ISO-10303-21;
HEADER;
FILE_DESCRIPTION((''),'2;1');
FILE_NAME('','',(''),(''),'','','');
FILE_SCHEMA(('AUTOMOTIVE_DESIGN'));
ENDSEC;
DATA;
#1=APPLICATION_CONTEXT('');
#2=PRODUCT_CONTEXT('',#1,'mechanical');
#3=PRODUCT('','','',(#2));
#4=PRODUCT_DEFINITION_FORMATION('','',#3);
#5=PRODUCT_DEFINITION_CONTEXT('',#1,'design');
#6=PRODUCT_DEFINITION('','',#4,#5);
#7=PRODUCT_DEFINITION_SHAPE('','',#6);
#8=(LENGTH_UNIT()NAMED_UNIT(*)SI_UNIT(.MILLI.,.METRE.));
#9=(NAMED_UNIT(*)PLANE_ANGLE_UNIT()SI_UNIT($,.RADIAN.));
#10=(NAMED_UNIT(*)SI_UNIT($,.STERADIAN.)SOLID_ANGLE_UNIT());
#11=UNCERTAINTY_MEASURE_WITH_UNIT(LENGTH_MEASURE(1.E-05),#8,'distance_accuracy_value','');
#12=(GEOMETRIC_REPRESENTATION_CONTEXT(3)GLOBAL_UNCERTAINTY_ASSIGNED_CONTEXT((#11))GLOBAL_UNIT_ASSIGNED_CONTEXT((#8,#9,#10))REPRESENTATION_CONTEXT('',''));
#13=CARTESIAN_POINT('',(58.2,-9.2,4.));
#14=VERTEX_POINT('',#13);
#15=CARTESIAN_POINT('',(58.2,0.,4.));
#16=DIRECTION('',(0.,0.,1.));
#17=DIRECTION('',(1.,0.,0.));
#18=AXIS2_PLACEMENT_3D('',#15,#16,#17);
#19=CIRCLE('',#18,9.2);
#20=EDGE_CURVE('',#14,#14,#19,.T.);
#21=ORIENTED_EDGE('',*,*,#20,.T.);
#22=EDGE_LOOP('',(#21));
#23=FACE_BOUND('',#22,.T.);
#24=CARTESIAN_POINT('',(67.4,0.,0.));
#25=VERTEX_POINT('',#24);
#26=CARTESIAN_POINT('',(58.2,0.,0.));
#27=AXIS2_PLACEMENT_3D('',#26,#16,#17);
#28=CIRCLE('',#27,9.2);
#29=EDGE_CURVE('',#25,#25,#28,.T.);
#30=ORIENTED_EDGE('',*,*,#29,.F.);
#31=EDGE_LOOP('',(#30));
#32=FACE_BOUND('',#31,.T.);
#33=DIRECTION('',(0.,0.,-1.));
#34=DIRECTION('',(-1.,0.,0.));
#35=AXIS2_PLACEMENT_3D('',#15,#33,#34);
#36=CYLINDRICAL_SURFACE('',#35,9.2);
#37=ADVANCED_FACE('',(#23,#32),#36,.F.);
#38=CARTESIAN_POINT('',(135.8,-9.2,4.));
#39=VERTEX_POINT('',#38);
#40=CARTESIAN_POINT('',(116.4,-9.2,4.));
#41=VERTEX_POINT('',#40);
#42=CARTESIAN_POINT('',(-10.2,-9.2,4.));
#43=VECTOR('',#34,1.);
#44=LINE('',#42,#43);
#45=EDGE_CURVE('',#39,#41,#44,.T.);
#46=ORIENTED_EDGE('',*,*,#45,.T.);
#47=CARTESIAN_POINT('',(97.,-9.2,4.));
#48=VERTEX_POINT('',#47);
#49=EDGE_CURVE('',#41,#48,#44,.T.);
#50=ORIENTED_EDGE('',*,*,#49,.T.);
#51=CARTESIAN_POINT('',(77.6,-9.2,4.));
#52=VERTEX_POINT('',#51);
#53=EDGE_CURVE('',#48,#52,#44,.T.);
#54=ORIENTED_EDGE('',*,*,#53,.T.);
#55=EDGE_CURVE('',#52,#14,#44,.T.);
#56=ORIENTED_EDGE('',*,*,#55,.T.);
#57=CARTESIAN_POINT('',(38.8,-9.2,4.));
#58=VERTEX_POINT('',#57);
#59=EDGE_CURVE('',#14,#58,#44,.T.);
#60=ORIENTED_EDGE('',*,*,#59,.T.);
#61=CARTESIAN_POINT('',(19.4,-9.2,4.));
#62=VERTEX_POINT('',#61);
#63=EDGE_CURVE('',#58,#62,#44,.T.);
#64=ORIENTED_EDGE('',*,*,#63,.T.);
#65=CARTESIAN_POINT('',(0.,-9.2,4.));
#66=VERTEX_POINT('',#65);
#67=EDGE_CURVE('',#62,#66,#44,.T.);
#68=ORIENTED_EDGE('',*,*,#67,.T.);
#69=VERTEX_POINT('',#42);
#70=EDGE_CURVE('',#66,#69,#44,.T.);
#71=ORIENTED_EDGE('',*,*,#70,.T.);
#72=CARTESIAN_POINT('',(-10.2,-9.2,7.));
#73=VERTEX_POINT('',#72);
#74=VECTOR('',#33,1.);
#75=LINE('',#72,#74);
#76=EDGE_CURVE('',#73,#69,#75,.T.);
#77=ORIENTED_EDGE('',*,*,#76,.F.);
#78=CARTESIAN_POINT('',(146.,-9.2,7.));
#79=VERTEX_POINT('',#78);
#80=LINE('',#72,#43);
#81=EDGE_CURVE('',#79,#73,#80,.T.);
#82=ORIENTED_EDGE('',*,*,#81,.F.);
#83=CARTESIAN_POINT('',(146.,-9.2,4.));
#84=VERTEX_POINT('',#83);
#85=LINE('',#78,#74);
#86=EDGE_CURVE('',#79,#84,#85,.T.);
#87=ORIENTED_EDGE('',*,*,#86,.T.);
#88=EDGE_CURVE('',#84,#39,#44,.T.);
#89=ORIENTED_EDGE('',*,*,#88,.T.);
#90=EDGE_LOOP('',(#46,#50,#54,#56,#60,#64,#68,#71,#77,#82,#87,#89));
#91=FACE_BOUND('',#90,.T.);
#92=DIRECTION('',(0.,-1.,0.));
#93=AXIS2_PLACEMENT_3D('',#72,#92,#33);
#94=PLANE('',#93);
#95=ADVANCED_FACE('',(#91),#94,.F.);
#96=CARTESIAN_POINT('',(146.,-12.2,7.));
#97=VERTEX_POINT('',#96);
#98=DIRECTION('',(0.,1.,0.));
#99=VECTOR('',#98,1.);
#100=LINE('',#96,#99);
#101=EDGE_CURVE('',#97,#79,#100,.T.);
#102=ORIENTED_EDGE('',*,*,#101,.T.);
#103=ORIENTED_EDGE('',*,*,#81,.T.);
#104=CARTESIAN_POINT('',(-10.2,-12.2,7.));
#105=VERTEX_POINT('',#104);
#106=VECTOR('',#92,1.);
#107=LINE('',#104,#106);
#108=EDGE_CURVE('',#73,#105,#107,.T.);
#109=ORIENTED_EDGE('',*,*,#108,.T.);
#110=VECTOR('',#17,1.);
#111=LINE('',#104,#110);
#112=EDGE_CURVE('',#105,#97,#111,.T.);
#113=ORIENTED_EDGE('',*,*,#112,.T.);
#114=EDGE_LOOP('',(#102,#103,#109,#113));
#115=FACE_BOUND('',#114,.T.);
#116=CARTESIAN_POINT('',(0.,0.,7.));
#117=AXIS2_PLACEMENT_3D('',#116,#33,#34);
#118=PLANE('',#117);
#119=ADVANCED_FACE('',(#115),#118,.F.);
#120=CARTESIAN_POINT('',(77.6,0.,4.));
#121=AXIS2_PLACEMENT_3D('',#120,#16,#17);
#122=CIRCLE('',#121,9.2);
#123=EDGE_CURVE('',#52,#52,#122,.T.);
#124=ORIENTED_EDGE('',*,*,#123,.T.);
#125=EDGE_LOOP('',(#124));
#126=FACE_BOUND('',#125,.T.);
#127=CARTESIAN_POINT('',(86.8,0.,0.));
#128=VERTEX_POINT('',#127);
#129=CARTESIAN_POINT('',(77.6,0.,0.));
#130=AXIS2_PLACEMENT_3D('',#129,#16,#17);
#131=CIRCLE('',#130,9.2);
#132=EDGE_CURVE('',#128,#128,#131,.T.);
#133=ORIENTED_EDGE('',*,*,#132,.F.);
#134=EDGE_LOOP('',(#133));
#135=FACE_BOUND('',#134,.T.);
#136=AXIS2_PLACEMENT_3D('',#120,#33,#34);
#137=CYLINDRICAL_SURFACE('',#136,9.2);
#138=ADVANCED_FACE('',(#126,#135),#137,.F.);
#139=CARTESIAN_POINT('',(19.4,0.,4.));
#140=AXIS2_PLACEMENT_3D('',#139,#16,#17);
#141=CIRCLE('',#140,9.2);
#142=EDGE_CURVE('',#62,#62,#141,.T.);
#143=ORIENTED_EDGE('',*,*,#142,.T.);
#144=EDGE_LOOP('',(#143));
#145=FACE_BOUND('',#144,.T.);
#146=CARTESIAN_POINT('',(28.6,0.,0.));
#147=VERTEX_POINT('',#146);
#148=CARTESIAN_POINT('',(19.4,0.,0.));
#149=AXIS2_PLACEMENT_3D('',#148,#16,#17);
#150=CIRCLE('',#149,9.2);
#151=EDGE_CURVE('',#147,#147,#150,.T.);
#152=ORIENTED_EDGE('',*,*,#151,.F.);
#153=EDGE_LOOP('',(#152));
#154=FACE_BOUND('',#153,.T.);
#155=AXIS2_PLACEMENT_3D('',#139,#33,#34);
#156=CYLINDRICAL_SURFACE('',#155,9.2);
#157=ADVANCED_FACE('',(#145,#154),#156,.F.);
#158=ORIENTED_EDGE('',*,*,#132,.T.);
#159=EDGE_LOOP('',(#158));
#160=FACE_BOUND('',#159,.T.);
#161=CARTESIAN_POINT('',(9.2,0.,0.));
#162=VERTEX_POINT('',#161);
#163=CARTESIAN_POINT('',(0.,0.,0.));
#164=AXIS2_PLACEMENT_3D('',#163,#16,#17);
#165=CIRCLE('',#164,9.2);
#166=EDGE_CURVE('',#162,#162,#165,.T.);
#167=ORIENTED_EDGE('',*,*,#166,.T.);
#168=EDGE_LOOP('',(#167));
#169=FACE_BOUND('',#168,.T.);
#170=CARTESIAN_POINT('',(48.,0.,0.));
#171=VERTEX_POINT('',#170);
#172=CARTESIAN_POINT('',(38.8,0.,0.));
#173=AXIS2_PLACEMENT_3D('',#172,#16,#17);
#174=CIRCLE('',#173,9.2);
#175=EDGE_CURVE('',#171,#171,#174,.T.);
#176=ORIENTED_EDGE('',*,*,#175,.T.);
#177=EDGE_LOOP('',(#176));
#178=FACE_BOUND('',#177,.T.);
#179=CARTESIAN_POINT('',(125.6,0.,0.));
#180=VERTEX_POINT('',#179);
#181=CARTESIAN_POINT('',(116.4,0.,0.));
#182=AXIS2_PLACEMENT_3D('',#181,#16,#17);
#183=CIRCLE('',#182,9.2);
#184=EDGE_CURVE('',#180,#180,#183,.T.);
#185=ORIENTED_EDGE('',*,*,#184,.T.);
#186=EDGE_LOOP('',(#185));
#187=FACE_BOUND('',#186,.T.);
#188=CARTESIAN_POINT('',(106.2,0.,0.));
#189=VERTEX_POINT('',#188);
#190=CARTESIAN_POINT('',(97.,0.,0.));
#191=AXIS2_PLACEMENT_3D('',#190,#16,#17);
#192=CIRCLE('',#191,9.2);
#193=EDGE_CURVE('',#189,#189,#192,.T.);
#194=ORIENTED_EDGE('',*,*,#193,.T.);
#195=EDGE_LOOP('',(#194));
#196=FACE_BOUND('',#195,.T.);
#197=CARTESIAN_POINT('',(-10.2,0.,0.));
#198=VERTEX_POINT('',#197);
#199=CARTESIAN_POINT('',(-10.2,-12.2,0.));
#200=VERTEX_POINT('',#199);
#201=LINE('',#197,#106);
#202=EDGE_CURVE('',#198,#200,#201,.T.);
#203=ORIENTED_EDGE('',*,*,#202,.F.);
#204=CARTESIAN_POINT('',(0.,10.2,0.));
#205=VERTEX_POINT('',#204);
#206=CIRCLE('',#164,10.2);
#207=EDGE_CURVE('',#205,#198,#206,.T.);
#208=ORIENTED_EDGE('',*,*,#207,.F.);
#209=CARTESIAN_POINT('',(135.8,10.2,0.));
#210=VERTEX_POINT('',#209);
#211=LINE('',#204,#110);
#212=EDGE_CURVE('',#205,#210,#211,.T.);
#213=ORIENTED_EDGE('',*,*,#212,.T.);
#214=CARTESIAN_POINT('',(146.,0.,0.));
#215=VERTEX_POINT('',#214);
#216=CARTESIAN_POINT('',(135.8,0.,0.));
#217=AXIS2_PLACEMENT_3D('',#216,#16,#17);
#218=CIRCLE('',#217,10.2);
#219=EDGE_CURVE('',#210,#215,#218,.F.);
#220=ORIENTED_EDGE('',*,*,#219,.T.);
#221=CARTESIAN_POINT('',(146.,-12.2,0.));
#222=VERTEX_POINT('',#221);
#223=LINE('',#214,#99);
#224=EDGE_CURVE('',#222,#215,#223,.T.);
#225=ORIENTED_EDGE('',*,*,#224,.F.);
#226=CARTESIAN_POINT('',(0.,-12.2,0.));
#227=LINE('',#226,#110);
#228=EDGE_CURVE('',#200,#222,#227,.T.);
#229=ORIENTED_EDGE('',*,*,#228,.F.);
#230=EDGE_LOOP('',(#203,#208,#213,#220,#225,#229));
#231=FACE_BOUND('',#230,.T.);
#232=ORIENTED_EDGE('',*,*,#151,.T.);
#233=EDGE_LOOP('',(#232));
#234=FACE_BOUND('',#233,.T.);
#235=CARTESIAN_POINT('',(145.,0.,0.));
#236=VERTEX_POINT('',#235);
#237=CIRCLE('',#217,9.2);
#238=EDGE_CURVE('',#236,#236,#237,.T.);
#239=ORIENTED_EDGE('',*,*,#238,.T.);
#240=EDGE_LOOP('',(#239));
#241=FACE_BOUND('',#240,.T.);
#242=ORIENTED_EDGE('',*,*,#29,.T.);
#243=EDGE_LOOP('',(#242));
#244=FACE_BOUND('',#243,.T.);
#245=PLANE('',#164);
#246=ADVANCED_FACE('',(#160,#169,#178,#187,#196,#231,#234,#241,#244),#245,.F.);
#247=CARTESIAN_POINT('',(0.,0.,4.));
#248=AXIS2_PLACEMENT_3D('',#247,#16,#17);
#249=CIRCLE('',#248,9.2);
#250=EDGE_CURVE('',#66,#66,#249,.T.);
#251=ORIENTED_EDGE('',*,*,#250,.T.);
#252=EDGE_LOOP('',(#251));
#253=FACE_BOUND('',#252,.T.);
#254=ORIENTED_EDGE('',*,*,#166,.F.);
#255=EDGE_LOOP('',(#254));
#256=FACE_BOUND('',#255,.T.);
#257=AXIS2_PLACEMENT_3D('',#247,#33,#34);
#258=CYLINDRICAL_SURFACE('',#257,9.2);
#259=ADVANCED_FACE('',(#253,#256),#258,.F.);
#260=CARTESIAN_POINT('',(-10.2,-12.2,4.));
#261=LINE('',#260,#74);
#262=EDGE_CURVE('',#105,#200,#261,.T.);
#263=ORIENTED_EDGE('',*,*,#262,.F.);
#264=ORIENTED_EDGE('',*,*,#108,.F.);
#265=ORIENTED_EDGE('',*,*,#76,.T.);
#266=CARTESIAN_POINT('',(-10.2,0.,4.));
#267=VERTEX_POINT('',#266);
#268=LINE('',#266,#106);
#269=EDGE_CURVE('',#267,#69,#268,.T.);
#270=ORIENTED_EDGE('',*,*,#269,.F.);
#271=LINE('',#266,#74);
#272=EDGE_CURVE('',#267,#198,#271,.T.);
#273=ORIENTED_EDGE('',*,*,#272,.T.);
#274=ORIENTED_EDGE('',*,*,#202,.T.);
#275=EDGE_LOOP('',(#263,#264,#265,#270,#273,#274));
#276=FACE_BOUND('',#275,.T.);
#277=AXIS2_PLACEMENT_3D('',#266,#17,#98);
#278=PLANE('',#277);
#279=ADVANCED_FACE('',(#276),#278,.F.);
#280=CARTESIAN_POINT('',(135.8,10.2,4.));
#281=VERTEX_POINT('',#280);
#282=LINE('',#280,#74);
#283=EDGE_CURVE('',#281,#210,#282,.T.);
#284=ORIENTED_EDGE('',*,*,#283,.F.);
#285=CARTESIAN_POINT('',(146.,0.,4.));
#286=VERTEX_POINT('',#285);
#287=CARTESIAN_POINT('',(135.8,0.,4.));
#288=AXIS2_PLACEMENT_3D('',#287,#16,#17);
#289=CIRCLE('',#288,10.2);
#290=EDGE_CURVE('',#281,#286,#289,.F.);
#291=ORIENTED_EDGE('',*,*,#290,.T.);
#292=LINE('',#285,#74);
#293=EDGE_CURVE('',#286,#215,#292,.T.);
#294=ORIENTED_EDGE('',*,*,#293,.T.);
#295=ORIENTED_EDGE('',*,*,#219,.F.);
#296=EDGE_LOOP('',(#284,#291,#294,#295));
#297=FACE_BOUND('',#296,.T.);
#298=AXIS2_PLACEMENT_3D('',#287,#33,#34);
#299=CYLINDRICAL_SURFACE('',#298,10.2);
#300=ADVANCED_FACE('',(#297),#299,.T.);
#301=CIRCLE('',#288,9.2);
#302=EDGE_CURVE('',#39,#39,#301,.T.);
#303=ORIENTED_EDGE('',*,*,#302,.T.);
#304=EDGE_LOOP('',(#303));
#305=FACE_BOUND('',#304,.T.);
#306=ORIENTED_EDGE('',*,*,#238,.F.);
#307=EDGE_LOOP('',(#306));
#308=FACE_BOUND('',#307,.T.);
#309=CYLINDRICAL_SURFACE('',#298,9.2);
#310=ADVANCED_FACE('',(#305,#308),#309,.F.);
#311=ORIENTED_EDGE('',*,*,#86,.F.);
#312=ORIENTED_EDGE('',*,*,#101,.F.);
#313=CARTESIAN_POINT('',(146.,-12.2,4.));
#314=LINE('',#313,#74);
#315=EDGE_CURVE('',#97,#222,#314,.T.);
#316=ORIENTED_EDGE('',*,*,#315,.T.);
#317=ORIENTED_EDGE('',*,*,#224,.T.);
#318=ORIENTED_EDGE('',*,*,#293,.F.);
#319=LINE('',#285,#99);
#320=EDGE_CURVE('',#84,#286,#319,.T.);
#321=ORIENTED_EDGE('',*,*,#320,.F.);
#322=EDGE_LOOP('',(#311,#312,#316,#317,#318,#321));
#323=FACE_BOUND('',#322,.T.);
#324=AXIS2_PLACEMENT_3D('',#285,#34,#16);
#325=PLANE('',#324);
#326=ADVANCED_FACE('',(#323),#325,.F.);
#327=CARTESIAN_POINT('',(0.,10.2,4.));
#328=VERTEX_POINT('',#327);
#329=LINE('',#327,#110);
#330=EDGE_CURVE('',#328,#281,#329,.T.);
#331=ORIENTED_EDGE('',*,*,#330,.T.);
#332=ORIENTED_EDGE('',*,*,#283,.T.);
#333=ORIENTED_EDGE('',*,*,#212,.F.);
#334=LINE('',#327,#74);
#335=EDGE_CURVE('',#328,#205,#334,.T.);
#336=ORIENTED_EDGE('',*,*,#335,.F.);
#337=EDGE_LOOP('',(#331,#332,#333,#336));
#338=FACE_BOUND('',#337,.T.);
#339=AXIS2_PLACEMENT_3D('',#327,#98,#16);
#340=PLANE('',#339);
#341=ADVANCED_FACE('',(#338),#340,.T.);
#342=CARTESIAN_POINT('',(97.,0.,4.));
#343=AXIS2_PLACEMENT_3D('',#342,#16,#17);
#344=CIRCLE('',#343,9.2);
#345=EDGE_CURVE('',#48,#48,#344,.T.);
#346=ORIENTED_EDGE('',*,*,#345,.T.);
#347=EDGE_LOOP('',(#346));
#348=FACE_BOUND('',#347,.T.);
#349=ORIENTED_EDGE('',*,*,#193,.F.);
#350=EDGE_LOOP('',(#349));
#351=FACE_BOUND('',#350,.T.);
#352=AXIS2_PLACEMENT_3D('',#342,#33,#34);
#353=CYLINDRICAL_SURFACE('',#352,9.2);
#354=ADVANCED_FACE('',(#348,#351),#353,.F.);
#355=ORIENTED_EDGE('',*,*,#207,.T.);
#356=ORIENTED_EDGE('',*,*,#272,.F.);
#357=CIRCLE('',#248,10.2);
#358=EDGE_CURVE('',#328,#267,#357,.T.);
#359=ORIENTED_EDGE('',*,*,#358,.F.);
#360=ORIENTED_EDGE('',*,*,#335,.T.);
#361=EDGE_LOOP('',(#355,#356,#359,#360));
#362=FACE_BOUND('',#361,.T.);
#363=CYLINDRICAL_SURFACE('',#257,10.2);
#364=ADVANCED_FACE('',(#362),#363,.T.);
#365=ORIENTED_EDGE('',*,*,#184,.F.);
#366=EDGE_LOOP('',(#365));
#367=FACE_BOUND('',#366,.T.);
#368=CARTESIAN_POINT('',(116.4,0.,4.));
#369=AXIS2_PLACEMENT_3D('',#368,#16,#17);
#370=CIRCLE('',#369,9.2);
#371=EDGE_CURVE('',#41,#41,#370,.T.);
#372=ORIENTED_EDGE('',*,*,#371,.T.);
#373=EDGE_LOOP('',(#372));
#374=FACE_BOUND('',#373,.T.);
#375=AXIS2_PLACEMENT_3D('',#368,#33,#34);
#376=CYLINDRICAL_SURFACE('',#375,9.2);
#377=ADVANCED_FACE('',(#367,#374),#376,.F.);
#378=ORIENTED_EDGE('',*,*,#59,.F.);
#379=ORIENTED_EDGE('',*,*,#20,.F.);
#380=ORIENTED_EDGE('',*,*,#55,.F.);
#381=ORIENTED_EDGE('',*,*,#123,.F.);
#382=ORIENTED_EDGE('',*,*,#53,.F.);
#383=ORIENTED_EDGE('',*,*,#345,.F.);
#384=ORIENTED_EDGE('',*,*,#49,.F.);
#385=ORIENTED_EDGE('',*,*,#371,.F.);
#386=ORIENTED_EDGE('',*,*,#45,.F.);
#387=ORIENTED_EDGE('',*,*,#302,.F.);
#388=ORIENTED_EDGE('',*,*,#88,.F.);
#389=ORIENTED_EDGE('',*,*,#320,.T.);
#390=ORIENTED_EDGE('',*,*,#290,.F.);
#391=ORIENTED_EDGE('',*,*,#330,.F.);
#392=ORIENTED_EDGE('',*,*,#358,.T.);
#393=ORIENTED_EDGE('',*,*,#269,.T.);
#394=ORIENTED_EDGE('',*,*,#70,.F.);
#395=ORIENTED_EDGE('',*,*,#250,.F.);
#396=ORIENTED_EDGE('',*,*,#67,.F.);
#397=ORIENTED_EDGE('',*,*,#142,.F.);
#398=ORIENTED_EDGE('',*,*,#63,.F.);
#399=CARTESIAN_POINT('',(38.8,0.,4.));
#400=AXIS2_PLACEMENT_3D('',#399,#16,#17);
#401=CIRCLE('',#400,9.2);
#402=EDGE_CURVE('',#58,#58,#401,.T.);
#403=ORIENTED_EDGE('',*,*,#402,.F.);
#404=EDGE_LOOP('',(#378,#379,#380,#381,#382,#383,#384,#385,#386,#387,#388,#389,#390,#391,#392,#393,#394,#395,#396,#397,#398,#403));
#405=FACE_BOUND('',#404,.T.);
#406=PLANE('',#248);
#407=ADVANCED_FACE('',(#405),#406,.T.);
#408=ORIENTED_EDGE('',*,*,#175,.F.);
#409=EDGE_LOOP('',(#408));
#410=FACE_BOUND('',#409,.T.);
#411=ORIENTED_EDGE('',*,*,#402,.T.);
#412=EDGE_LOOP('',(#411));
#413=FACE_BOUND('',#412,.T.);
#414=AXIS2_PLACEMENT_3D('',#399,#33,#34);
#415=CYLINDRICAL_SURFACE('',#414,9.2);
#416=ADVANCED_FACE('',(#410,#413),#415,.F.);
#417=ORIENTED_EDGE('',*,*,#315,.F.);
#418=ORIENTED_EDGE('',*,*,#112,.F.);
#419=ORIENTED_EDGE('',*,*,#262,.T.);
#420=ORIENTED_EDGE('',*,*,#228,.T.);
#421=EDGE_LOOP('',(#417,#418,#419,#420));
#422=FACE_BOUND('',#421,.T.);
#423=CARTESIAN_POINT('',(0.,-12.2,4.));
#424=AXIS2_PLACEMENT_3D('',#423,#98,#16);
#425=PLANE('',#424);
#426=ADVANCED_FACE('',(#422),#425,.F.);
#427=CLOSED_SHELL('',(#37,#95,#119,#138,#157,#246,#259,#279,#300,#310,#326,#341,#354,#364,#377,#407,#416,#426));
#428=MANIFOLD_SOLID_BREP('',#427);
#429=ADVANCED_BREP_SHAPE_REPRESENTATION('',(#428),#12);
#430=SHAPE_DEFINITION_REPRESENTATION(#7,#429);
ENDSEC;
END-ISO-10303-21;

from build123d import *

# Parameters (mm, degrees)
SKETCH1_R           = 9.2
BOSS_EXTRUDE1_DEPTH = 4
SKETCH2_W           = 156.2
SKETCH2_H           = 3
BOSS_EXTRUDE2_DEPTH = 3


with BuildPart() as part:
    # Sketch1 → Boss-Extrude1 (new body)
    with BuildSketch(Plane.XY):
        with BuildLine():
            Line((0, 10.2), (135.8, 10.2))
            ThreePointArc((135.8, 10.2), (143.012489168, 7.212489168), (146, 0))
            Line((146, 0), (146, -12.2))
            Line((146, -12.2), (-10.2, -12.2))
            Line((-10.2, -12.2), (-10.2, 0))
            ThreePointArc((-10.2, 0), (-7.212489168, 7.212489168), (0, 10.2))
        make_face()
        Circle(SKETCH1_R, mode=Mode.SUBTRACT)
        with Locations((19.4, 0)):
            Circle(SKETCH1_R, mode=Mode.SUBTRACT)
        with Locations((38.8, 0)):
            Circle(SKETCH1_R, mode=Mode.SUBTRACT)
        with Locations((58.2, 0)):
            Circle(SKETCH1_R, mode=Mode.SUBTRACT)
        with Locations((77.6, 0)):
            Circle(SKETCH1_R, mode=Mode.SUBTRACT)
        with Locations((97, 0)):
            Circle(SKETCH1_R, mode=Mode.SUBTRACT)
        with Locations((116.4, 0)):
            Circle(SKETCH1_R, mode=Mode.SUBTRACT)
        with Locations((135.8, 0)):
            Circle(SKETCH1_R, mode=Mode.SUBTRACT)
    extrude(amount=BOSS_EXTRUDE1_DEPTH)

    # Sketch2 → Boss-Extrude2 (add)
    with BuildSketch(Plane.XY.offset(4)):
        with Locations((67.9, -10.7)):
            Rectangle(SKETCH2_W, SKETCH2_H)
    extrude(amount=BOSS_EXTRUDE2_DEPTH)


solid = part.part
